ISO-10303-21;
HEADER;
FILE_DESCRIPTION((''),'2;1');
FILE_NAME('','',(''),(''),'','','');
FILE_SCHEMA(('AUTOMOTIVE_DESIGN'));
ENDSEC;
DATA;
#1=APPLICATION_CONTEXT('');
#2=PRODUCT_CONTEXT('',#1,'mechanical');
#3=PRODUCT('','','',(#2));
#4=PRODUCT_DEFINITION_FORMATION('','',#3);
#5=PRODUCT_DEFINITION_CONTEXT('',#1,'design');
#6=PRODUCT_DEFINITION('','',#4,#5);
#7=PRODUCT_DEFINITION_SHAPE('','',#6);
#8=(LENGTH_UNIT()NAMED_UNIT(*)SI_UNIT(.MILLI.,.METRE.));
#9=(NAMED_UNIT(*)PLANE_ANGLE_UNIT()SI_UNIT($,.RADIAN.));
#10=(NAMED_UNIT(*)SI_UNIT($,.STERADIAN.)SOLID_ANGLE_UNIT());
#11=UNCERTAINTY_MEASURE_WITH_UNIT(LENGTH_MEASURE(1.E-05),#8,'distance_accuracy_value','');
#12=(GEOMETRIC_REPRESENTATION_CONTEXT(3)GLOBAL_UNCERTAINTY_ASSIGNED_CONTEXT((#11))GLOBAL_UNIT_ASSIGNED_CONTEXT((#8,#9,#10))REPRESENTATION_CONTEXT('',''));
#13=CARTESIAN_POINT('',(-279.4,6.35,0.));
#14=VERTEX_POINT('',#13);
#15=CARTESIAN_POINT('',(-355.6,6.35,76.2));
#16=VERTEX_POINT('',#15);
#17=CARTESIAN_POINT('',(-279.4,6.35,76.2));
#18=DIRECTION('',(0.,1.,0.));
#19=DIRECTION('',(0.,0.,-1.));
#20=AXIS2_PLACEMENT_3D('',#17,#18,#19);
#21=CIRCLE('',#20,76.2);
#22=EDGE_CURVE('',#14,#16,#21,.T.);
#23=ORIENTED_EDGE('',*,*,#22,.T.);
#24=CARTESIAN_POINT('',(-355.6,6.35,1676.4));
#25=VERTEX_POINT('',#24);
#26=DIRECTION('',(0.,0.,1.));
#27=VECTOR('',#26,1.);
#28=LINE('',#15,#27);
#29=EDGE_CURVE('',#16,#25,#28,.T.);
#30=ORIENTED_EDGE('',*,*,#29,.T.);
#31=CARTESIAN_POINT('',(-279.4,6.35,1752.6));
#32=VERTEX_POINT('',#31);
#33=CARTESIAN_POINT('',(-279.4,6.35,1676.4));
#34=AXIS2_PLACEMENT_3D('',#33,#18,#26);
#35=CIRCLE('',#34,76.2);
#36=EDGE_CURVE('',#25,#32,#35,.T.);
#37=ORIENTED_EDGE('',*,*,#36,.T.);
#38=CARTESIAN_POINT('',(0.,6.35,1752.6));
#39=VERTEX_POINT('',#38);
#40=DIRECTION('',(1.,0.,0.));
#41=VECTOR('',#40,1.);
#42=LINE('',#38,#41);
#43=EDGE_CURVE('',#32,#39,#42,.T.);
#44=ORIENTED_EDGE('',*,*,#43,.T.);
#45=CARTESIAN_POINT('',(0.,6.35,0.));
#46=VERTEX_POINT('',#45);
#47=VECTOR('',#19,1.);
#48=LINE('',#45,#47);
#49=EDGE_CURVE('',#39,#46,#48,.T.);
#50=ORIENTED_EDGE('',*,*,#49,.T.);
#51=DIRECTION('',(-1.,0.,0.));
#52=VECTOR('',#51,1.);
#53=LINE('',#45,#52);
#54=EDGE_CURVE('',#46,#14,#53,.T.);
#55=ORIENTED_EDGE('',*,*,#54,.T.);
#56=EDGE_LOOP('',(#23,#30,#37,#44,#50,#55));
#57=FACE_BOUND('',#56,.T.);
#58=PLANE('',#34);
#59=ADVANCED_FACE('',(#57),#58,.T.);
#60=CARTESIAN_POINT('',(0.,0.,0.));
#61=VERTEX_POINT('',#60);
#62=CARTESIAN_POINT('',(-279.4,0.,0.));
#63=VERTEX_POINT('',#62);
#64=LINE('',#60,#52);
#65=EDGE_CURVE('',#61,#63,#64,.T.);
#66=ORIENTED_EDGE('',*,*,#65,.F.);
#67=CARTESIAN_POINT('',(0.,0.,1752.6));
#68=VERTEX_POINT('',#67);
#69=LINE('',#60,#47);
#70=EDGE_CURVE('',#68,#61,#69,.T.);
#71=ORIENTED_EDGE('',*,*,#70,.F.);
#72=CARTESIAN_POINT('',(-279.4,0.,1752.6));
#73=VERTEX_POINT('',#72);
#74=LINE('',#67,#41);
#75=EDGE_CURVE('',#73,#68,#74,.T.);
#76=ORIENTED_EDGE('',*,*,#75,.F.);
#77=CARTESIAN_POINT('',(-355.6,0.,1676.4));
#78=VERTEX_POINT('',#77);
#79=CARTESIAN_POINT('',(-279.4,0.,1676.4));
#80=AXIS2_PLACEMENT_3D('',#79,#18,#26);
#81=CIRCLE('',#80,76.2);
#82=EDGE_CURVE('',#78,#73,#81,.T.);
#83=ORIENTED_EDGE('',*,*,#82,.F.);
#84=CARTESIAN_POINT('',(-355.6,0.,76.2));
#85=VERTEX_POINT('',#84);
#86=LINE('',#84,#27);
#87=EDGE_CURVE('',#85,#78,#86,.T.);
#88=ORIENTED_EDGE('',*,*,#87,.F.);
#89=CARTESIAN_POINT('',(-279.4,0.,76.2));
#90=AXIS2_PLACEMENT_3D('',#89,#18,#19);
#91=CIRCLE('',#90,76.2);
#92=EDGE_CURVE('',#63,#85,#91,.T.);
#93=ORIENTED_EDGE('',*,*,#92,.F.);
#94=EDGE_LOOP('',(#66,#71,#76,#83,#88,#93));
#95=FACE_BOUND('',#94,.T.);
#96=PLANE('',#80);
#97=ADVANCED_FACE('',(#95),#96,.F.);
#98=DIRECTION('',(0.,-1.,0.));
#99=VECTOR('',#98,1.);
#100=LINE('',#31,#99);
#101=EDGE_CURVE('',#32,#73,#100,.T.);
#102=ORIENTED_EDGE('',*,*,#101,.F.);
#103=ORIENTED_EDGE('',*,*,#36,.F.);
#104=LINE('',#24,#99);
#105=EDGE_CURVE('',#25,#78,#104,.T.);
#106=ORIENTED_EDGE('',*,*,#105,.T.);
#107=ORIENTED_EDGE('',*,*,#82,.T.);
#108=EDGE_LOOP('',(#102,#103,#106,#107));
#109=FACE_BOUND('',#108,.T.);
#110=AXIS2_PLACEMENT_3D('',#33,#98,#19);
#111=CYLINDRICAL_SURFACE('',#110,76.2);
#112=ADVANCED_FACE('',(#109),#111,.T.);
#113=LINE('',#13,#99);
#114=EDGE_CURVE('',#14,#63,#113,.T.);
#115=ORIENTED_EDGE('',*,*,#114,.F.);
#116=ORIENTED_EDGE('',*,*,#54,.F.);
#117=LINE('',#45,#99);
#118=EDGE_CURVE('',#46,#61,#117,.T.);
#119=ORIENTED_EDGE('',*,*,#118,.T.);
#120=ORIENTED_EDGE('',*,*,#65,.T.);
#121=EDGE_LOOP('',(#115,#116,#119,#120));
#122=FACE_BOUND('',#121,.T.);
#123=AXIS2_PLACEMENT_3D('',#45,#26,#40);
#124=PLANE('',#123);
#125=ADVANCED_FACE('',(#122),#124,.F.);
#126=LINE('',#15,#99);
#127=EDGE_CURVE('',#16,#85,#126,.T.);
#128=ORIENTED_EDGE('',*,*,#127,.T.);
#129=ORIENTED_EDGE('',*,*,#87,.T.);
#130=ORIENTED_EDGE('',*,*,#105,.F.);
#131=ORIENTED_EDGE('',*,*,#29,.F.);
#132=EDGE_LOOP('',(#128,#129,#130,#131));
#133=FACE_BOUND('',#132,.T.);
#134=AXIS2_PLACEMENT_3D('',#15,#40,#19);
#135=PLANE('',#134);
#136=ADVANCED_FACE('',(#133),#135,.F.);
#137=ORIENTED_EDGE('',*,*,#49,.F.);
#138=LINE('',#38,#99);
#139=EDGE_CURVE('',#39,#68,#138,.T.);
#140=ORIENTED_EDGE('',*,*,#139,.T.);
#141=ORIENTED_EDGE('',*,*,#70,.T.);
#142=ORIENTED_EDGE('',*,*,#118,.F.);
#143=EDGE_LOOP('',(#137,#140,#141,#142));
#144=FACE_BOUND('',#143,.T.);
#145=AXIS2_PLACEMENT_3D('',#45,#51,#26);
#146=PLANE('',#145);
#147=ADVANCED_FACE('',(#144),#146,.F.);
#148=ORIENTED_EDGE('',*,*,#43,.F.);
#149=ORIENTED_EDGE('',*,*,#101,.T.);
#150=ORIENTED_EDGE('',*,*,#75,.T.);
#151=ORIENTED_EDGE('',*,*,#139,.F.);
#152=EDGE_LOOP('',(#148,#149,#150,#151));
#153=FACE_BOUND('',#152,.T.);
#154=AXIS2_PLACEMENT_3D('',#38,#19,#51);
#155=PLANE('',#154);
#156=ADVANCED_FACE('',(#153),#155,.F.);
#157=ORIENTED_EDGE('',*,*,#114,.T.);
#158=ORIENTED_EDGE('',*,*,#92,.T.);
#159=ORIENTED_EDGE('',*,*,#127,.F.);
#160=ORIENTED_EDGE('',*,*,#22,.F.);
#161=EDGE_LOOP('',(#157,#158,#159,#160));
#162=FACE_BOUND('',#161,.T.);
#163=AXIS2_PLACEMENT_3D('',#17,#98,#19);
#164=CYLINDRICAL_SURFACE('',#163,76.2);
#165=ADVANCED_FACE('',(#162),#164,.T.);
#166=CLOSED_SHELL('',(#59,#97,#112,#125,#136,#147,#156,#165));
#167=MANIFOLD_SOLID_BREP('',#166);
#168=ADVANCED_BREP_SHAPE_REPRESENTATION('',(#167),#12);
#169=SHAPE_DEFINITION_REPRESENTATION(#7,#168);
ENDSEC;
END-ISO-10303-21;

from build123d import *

# Parameters (mm, degrees)
BOSS_EXTRUDE1_DEPTH = 6.35


with BuildPart() as part:
    # Sketch1 → Boss-Extrude1 (new body)
    with BuildSketch(Plane(origin=(0, 0, 0), x_dir=(1, 0, 0), z_dir=(0, 1, 0))):
        with BuildLine():
            Line((0, 0), (-279.4, 0))
            ThreePointArc((-279.4, 0), (-333.281536726, -22.318463274), (-355.6, -76.2))
            Line((-355.6, -76.2), (-355.6, -1676.4))
            ThreePointArc((-355.6, -1676.4), (-333.281536726, -1730.281536726), (-279.4, -1752.6))
            Line((-279.4, -1752.6), (0, -1752.6))
            Line((0, -1752.6), (0, 0))
        make_face()
    extrude(amount=BOSS_EXTRUDE1_DEPTH)


solid = part.part
